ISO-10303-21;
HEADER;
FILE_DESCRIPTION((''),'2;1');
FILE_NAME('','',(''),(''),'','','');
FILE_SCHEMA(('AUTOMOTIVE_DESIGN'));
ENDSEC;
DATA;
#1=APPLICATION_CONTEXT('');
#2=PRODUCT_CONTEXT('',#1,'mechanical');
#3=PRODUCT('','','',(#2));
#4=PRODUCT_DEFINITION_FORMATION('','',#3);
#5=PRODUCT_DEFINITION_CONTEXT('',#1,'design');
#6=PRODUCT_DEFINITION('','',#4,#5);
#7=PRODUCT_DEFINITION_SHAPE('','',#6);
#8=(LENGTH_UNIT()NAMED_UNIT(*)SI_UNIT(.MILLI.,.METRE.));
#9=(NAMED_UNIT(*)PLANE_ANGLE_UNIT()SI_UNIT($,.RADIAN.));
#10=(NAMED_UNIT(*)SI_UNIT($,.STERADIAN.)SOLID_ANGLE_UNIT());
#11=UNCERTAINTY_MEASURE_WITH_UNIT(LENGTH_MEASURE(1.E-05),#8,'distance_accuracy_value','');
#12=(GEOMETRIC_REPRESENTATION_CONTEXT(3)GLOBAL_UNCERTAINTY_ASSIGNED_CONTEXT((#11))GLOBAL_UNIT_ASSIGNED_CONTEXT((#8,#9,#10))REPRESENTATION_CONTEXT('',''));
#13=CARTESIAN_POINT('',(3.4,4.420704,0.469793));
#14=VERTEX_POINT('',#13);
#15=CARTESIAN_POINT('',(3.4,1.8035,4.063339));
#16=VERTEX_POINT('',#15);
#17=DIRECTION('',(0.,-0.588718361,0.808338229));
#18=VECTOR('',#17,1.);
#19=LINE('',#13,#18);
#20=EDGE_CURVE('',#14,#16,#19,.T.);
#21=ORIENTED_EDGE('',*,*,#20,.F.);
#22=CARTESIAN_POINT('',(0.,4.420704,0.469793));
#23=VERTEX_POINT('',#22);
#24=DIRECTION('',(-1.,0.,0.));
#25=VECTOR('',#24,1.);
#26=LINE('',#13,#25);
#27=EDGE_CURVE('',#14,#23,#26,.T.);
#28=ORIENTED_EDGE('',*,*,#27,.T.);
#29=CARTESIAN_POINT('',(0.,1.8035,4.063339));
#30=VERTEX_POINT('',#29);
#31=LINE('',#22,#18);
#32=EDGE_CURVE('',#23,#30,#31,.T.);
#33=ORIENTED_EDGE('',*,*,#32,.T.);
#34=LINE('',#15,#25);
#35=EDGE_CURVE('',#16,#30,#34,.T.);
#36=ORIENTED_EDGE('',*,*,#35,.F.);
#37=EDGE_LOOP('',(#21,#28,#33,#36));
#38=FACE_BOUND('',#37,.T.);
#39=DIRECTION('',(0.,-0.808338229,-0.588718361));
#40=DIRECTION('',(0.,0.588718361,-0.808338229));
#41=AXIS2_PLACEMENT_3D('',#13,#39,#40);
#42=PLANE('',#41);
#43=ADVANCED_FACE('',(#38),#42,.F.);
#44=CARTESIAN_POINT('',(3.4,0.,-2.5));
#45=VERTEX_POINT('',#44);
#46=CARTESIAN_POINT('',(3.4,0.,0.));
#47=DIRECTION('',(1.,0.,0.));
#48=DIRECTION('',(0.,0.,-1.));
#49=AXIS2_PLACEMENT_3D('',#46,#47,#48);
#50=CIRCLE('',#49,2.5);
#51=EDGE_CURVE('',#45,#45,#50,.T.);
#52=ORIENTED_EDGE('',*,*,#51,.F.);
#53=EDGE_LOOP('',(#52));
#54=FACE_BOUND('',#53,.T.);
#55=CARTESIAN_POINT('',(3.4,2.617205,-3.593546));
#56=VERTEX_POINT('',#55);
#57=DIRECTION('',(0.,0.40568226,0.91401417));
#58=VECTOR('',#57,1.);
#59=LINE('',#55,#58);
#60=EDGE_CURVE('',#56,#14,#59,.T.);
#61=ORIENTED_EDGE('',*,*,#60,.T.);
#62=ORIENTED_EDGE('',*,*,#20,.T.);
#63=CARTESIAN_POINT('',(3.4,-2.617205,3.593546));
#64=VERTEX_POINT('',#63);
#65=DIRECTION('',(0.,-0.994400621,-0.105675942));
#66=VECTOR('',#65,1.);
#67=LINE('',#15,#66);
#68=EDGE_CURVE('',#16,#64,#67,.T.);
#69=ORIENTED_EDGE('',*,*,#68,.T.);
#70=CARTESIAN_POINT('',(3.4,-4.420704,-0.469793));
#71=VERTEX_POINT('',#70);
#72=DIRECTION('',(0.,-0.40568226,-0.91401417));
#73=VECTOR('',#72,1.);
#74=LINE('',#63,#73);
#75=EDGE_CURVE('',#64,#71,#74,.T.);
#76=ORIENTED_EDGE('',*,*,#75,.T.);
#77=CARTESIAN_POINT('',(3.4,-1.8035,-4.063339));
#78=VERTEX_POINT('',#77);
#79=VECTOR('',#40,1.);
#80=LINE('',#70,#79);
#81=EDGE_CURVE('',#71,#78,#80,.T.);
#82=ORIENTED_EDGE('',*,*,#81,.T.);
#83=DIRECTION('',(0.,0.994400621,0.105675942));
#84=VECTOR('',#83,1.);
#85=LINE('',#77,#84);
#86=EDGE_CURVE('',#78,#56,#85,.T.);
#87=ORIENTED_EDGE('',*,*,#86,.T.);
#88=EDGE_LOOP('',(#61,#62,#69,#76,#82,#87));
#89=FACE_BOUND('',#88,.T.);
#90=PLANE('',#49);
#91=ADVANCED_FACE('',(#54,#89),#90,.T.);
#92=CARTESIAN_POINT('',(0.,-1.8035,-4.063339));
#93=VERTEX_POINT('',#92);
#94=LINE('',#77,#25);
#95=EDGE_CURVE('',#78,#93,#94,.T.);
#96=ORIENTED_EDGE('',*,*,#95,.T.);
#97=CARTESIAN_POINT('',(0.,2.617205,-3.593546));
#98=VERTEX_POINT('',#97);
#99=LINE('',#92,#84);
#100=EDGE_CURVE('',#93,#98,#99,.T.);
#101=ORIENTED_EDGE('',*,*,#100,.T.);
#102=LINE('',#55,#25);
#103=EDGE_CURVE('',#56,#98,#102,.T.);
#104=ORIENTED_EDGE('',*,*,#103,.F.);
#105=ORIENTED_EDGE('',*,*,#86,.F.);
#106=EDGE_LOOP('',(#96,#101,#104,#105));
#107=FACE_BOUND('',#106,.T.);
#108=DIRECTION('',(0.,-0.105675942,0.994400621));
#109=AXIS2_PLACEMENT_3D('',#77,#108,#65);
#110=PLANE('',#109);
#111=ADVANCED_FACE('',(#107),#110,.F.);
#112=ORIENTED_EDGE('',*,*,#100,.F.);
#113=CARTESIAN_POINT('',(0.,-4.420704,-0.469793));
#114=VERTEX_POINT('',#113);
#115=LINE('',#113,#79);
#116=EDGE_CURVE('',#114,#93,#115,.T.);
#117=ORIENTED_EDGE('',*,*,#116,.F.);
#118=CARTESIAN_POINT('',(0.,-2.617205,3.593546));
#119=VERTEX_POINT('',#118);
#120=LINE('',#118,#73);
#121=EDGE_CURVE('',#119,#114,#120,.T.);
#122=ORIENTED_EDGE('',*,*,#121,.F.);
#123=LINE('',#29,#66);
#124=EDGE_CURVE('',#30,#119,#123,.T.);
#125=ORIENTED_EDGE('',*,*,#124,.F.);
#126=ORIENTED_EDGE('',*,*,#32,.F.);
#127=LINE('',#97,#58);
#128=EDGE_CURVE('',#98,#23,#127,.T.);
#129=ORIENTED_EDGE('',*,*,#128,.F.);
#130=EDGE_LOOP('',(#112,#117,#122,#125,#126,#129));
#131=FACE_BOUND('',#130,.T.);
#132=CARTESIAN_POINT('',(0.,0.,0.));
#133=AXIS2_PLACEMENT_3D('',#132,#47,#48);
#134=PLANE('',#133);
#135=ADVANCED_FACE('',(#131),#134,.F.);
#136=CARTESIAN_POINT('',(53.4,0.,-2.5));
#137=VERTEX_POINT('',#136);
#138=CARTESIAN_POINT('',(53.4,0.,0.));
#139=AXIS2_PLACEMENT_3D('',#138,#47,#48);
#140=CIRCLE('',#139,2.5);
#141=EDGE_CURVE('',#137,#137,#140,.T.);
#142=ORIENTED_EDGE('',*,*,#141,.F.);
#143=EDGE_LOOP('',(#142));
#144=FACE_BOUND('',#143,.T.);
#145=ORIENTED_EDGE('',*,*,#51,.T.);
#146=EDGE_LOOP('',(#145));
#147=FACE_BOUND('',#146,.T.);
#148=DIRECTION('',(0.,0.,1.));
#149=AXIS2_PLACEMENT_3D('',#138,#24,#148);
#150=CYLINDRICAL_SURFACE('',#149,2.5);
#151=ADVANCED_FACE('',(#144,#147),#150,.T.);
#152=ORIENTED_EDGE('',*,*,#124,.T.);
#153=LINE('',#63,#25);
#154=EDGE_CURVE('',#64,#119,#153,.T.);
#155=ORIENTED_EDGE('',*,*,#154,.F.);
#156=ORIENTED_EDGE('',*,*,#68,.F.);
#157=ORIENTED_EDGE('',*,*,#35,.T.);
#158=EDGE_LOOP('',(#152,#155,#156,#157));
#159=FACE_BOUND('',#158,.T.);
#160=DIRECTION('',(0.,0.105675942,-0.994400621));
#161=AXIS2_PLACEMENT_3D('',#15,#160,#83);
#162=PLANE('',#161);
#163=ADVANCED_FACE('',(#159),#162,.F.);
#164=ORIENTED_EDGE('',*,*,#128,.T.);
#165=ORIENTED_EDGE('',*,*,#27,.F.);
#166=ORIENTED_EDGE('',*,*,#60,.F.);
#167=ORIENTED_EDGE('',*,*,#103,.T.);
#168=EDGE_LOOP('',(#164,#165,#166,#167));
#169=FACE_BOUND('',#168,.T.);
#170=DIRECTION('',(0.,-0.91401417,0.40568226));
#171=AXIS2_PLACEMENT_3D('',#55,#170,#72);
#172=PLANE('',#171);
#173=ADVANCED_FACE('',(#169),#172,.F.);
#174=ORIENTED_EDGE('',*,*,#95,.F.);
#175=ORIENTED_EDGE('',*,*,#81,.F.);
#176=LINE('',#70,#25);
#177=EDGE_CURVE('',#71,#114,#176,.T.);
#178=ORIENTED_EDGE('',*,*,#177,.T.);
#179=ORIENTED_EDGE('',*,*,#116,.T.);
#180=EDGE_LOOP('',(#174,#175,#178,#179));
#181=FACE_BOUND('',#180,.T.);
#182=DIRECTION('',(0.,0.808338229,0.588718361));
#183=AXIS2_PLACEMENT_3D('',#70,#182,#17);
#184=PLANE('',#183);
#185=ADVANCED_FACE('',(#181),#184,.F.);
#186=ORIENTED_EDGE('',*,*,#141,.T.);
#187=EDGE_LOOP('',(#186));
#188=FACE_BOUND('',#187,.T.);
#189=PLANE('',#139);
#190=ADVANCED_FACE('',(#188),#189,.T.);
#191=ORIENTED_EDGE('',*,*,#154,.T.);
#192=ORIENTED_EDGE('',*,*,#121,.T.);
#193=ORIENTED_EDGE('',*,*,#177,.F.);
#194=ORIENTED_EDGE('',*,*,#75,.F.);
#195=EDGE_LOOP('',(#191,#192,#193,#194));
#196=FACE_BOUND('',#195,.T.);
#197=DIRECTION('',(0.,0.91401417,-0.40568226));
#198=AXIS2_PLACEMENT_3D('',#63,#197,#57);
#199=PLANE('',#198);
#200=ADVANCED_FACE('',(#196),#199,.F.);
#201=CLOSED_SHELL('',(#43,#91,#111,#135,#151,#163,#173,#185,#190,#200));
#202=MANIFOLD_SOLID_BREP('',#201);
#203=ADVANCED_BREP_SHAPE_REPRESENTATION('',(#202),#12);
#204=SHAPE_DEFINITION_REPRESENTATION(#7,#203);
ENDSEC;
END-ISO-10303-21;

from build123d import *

# Parameters (mm, degrees)
BOSS_EXTRUDE1_DEPTH = 3.4
SKETCH2_R           = 2.5
BOSS_EXTRUDE2_DEPTH = 50


with BuildPart() as part:
    # Sketch1 → Boss-Extrude1 (new body)
    with BuildSketch(Plane(origin=(0, 0, 0), x_dir=(0, 0, -1), z_dir=(1, 0, 0))):
        Polygon((3.593546063, 2.617204621), (-0.469792657, 4.420704491), (-4.06333872, 1.80349987), (-3.593546063, -2.617204621), (0.469792657, -4.420704491), (4.06333872, -1.80349987), align=None)
    extrude(amount=BOSS_EXTRUDE1_DEPTH)

    # Sketch2 → Boss-Extrude2 (add)
    with BuildSketch(Plane(origin=(3.4, 0, 0), x_dir=(0, 0, -1), z_dir=(1, 0, 0))):
        Circle(SKETCH2_R)
    extrude(amount=BOSS_EXTRUDE2_DEPTH)


solid = part.part
